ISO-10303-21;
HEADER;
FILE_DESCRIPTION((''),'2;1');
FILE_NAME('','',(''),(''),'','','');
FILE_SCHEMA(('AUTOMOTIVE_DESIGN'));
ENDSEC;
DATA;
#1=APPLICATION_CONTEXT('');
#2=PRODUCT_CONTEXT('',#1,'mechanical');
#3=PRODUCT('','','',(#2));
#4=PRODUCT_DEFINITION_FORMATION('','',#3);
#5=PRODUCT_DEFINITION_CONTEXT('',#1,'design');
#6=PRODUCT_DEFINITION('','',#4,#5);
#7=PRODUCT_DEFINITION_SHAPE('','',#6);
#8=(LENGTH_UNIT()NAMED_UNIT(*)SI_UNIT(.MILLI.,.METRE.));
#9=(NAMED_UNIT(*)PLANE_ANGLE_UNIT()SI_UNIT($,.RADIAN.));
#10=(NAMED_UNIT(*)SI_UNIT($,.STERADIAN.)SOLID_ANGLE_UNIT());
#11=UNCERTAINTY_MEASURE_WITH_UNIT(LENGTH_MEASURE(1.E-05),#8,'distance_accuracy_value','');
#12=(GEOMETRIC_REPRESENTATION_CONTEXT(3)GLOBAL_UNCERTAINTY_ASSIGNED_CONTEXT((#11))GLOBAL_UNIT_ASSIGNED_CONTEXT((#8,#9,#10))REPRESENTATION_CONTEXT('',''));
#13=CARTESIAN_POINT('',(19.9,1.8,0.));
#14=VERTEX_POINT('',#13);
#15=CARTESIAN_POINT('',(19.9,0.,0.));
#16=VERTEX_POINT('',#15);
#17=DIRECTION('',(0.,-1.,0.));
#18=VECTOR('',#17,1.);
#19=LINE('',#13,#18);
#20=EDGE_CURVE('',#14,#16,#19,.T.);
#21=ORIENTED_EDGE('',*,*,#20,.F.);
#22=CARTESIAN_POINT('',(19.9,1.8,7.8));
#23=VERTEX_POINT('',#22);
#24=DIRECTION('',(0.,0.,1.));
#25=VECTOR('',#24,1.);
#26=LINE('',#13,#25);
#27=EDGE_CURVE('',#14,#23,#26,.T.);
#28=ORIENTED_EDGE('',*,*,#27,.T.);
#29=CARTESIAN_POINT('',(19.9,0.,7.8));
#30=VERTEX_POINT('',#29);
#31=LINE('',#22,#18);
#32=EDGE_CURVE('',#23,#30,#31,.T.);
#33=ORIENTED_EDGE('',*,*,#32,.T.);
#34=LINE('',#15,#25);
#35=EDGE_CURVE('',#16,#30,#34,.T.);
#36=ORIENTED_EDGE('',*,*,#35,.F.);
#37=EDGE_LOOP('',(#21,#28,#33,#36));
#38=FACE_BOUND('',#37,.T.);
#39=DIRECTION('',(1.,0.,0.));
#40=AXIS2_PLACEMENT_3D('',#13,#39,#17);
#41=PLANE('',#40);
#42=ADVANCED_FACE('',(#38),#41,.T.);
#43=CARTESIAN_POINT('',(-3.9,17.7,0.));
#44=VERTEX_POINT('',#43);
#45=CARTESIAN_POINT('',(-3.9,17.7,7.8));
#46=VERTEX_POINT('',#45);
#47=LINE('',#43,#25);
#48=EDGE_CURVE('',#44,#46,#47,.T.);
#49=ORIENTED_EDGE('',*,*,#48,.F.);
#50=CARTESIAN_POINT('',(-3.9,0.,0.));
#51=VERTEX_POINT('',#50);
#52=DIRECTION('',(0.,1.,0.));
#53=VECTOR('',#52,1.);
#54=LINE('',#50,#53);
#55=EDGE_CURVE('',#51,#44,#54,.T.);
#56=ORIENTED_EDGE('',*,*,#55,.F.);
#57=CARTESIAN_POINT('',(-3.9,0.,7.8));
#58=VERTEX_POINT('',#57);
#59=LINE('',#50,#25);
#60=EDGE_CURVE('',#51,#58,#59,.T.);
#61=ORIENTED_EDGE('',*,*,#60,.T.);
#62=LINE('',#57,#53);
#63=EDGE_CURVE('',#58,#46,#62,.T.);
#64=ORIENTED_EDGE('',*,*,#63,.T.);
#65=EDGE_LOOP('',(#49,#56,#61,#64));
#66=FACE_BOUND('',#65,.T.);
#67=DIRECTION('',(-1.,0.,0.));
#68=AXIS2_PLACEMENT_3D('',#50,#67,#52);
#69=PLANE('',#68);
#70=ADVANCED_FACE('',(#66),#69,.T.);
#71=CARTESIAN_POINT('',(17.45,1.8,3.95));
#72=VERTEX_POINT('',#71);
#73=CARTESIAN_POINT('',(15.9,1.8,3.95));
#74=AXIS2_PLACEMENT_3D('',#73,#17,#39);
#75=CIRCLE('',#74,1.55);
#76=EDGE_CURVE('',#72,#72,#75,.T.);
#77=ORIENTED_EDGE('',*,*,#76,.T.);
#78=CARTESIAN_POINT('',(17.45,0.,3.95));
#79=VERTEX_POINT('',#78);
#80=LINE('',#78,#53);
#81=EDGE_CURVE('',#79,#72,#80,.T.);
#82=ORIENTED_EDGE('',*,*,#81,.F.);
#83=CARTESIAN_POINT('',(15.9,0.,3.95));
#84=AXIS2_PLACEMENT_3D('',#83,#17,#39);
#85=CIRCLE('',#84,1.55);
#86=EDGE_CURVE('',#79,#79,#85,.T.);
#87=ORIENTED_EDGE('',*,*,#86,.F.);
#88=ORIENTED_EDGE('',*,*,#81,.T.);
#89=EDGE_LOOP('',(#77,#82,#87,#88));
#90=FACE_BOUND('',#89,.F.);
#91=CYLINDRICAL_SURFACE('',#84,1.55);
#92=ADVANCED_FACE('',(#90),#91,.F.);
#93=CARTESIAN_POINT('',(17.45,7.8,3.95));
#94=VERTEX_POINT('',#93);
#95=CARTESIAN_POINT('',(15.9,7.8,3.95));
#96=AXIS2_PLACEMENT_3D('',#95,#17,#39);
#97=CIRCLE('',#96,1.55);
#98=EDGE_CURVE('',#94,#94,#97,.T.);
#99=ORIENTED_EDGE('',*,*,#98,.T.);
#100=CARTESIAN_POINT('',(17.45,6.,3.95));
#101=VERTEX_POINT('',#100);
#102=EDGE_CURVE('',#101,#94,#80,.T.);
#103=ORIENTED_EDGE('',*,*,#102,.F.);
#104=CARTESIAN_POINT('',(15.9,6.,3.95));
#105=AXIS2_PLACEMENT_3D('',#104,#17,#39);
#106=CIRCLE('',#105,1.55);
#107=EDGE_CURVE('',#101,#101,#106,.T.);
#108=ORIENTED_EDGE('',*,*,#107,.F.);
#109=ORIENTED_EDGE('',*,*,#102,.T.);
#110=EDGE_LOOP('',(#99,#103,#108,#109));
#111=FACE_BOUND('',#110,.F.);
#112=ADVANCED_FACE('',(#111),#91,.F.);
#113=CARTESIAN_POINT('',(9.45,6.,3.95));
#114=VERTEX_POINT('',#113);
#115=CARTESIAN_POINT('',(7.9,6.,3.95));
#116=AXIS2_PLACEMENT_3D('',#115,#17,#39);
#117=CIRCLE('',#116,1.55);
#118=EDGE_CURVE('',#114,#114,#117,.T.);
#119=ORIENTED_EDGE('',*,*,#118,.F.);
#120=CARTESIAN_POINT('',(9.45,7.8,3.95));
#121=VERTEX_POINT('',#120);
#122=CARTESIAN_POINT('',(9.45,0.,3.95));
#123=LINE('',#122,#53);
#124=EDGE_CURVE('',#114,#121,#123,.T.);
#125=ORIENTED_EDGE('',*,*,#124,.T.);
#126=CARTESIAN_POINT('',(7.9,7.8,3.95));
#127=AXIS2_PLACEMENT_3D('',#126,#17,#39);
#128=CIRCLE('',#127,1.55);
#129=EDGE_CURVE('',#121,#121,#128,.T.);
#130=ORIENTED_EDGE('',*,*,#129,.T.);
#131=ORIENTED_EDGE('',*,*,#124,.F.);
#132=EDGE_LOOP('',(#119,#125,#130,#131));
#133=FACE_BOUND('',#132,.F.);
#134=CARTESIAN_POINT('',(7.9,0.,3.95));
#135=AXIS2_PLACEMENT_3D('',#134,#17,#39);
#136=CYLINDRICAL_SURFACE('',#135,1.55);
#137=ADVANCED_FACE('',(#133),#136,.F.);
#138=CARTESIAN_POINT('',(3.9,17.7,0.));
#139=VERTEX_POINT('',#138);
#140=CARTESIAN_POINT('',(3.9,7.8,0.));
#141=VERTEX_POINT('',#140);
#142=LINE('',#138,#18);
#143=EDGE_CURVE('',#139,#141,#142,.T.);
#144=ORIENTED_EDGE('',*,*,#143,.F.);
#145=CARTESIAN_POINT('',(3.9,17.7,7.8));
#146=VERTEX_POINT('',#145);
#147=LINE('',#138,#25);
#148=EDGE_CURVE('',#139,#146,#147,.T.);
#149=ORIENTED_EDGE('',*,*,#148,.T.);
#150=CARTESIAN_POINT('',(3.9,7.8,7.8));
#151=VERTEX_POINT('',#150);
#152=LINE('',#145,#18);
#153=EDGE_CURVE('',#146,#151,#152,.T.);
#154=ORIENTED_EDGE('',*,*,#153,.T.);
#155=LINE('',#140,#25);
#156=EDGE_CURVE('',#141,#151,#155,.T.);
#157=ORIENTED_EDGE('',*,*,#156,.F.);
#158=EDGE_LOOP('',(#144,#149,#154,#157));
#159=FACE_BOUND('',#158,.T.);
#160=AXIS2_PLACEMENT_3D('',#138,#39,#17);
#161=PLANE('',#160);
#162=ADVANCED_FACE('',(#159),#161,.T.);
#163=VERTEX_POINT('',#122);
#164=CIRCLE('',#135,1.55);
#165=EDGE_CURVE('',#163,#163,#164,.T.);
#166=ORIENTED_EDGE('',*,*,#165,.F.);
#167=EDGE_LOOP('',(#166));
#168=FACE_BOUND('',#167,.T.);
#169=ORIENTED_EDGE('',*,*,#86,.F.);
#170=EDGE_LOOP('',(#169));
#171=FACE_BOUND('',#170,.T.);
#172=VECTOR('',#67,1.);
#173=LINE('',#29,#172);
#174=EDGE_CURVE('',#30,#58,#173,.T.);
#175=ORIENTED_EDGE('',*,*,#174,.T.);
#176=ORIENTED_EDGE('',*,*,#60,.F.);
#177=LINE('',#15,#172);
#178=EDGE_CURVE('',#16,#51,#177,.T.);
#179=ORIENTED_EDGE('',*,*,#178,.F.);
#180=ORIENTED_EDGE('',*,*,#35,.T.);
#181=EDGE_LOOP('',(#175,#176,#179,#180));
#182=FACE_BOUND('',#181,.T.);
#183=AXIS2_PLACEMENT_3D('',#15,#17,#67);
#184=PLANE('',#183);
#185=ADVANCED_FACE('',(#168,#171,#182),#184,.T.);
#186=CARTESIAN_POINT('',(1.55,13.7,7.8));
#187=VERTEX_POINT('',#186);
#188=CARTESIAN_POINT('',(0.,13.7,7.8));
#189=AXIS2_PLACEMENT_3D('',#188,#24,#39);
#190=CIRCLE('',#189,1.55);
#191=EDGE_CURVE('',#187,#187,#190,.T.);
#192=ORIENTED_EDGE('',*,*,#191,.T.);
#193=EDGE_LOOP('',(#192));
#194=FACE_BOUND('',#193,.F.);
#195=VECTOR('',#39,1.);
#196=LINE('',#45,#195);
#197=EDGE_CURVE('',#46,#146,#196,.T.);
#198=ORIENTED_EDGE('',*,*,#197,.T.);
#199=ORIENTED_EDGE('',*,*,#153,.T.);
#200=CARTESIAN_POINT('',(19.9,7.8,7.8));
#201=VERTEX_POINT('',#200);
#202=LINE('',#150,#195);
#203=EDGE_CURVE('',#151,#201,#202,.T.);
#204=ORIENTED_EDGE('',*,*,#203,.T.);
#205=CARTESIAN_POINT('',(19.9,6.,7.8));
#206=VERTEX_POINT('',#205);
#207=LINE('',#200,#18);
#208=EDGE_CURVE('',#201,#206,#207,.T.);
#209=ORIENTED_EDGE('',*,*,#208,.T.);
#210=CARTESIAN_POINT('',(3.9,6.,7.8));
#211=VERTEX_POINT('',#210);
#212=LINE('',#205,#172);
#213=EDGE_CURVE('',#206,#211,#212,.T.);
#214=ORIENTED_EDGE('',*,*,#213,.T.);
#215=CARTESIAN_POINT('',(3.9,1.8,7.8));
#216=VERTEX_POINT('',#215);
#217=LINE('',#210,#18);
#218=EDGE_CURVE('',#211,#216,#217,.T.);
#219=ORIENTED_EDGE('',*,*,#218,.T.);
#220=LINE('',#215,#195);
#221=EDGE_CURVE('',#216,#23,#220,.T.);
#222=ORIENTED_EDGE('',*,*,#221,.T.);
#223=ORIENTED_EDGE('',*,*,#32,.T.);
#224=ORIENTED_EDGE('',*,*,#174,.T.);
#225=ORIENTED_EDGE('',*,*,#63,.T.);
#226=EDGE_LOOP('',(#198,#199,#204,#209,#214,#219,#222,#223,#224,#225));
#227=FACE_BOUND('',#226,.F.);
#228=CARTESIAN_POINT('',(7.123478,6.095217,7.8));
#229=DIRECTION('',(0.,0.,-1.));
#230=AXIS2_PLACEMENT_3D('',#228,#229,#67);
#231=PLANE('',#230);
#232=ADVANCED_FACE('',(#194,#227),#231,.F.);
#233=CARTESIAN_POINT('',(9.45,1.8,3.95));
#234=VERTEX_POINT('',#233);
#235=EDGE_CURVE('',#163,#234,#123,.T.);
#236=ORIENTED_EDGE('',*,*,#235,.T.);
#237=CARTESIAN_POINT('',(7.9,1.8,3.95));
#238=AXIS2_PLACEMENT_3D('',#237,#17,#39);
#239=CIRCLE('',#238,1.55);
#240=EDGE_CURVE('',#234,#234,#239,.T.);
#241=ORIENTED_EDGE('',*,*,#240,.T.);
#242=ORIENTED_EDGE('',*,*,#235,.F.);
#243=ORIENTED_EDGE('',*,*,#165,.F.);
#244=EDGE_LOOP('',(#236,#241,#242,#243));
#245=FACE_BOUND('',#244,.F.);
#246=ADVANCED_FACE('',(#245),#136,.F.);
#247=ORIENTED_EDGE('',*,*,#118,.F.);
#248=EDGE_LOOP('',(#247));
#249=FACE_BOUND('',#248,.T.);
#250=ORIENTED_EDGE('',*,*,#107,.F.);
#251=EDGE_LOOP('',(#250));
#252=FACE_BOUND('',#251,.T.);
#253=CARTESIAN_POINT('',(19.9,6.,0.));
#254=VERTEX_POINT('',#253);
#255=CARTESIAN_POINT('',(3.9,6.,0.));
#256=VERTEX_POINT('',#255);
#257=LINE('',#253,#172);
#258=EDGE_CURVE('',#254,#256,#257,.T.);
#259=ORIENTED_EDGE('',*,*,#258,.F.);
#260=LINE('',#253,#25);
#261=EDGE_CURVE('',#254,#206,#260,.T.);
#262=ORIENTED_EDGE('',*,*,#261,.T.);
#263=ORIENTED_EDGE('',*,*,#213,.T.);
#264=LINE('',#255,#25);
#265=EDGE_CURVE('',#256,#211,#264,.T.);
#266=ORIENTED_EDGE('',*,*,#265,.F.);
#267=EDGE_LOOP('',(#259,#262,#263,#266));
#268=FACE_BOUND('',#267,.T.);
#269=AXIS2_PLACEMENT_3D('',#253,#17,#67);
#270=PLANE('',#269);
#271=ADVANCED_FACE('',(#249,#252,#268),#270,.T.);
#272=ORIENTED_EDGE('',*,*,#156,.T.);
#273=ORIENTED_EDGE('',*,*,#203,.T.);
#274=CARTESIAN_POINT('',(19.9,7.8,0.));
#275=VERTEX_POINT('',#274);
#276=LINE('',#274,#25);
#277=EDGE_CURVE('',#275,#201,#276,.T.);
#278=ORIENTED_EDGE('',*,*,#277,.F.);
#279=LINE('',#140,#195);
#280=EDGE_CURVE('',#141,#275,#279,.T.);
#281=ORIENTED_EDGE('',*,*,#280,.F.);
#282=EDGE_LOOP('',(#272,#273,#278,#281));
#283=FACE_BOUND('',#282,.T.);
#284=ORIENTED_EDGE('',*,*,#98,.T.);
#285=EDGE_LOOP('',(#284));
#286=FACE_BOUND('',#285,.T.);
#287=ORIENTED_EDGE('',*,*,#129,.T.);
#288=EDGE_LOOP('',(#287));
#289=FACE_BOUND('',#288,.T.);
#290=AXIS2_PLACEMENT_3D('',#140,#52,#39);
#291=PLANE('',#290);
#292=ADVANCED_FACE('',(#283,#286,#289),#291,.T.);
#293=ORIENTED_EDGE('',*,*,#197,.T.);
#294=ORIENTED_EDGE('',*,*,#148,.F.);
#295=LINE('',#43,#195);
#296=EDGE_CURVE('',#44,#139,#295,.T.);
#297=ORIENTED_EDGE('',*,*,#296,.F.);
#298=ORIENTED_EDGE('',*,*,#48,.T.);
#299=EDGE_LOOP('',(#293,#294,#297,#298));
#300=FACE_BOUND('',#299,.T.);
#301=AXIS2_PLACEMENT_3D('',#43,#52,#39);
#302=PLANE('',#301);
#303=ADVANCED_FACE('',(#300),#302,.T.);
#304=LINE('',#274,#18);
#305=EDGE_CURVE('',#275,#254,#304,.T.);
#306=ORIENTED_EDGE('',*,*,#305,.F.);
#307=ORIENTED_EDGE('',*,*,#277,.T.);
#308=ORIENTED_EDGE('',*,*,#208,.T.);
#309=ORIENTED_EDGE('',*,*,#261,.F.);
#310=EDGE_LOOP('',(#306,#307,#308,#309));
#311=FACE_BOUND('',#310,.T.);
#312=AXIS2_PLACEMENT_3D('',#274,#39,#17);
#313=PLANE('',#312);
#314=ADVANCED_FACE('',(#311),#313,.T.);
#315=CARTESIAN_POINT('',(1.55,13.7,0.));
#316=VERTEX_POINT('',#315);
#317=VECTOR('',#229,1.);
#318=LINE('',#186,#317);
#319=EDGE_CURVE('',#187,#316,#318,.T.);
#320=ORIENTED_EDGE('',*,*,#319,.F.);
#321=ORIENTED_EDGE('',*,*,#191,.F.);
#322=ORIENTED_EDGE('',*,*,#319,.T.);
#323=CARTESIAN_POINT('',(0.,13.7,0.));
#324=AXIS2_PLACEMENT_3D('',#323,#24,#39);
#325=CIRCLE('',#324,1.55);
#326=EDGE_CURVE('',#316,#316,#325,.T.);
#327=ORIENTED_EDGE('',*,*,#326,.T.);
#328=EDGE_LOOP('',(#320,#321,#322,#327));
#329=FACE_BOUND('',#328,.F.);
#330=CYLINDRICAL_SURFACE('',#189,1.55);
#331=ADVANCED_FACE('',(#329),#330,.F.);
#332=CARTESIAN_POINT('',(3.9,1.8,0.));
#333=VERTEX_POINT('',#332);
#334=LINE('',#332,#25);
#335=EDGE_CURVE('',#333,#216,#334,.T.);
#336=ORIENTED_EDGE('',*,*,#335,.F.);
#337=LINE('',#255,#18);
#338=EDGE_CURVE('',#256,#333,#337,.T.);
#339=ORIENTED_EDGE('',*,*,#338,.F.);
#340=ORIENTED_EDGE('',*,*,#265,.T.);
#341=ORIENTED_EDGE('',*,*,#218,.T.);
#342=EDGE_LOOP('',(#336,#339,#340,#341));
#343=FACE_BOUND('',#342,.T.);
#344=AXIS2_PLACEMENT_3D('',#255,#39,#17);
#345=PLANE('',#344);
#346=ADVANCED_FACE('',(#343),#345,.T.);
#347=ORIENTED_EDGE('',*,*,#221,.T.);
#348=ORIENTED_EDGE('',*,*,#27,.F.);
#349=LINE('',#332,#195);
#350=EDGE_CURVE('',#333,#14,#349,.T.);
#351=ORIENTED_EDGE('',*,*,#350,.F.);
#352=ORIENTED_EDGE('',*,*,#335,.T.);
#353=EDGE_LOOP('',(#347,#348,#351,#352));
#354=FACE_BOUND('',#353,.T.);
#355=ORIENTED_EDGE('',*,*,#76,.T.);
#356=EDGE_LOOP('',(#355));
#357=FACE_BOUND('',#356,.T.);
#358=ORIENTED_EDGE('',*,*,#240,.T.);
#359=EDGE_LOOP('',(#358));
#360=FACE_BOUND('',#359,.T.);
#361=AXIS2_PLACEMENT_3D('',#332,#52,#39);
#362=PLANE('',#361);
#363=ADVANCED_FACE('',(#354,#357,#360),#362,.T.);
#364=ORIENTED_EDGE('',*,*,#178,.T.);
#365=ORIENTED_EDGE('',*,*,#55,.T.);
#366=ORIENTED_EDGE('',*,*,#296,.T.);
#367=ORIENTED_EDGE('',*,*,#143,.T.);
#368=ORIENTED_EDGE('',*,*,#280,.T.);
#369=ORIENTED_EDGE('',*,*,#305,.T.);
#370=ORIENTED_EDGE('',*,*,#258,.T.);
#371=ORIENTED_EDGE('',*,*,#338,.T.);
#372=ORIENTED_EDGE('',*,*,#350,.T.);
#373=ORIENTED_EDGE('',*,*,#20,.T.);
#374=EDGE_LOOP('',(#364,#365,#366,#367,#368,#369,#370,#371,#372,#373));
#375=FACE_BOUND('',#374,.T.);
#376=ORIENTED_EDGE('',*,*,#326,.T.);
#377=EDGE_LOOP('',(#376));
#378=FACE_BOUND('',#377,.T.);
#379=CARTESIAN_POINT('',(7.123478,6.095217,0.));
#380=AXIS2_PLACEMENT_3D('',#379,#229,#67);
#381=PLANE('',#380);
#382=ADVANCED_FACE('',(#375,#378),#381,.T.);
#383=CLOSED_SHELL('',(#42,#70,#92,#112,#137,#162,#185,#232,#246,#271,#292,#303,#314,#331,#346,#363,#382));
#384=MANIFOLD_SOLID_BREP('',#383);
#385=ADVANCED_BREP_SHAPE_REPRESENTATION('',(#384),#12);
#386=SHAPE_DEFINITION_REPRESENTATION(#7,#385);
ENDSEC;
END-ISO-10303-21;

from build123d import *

# Parameters (mm, degrees)
PAD_DEPTH       = 7.8
SKETCH001_R     = 1.55
POCKET_DEPTH    = 17.701
SKETCH003_R     = 1.55
POCKET001_DEPTH = 7.801


with BuildPart() as part:
    # Sketch → Pad (new body)
    with BuildSketch(Plane.XY):
        Polygon((-3.9, 17.7), (3.9, 17.7), (3.9, 7.8), (19.9, 7.8), (19.9, 6), (3.9, 6), (3.9, 1.8), (19.9, 1.8), (19.9, 0), (-3.9, 0), align=None)
    extrude(amount=PAD_DEPTH)

    # Sketch001 (on Face1 of Pad) → Pocket (cut, through all)
    with BuildSketch(Plane.XZ):
        with Locations((7.9, 3.95)):
            Circle(SKETCH001_R)
        with Locations((15.9, 3.95)):
            Circle(SKETCH001_R)
    extrude(amount=-POCKET_DEPTH, mode=Mode.SUBTRACT)

    # Sketch003 (on Face4 of Pocket) → Pocket001 (cut, through all)
    with BuildSketch(Plane.XY.offset(7.8)):
        with Locations((0, 13.7)):
            Circle(SKETCH003_R)
    extrude(amount=-POCKET001_DEPTH, mode=Mode.SUBTRACT)


solid = part.part
